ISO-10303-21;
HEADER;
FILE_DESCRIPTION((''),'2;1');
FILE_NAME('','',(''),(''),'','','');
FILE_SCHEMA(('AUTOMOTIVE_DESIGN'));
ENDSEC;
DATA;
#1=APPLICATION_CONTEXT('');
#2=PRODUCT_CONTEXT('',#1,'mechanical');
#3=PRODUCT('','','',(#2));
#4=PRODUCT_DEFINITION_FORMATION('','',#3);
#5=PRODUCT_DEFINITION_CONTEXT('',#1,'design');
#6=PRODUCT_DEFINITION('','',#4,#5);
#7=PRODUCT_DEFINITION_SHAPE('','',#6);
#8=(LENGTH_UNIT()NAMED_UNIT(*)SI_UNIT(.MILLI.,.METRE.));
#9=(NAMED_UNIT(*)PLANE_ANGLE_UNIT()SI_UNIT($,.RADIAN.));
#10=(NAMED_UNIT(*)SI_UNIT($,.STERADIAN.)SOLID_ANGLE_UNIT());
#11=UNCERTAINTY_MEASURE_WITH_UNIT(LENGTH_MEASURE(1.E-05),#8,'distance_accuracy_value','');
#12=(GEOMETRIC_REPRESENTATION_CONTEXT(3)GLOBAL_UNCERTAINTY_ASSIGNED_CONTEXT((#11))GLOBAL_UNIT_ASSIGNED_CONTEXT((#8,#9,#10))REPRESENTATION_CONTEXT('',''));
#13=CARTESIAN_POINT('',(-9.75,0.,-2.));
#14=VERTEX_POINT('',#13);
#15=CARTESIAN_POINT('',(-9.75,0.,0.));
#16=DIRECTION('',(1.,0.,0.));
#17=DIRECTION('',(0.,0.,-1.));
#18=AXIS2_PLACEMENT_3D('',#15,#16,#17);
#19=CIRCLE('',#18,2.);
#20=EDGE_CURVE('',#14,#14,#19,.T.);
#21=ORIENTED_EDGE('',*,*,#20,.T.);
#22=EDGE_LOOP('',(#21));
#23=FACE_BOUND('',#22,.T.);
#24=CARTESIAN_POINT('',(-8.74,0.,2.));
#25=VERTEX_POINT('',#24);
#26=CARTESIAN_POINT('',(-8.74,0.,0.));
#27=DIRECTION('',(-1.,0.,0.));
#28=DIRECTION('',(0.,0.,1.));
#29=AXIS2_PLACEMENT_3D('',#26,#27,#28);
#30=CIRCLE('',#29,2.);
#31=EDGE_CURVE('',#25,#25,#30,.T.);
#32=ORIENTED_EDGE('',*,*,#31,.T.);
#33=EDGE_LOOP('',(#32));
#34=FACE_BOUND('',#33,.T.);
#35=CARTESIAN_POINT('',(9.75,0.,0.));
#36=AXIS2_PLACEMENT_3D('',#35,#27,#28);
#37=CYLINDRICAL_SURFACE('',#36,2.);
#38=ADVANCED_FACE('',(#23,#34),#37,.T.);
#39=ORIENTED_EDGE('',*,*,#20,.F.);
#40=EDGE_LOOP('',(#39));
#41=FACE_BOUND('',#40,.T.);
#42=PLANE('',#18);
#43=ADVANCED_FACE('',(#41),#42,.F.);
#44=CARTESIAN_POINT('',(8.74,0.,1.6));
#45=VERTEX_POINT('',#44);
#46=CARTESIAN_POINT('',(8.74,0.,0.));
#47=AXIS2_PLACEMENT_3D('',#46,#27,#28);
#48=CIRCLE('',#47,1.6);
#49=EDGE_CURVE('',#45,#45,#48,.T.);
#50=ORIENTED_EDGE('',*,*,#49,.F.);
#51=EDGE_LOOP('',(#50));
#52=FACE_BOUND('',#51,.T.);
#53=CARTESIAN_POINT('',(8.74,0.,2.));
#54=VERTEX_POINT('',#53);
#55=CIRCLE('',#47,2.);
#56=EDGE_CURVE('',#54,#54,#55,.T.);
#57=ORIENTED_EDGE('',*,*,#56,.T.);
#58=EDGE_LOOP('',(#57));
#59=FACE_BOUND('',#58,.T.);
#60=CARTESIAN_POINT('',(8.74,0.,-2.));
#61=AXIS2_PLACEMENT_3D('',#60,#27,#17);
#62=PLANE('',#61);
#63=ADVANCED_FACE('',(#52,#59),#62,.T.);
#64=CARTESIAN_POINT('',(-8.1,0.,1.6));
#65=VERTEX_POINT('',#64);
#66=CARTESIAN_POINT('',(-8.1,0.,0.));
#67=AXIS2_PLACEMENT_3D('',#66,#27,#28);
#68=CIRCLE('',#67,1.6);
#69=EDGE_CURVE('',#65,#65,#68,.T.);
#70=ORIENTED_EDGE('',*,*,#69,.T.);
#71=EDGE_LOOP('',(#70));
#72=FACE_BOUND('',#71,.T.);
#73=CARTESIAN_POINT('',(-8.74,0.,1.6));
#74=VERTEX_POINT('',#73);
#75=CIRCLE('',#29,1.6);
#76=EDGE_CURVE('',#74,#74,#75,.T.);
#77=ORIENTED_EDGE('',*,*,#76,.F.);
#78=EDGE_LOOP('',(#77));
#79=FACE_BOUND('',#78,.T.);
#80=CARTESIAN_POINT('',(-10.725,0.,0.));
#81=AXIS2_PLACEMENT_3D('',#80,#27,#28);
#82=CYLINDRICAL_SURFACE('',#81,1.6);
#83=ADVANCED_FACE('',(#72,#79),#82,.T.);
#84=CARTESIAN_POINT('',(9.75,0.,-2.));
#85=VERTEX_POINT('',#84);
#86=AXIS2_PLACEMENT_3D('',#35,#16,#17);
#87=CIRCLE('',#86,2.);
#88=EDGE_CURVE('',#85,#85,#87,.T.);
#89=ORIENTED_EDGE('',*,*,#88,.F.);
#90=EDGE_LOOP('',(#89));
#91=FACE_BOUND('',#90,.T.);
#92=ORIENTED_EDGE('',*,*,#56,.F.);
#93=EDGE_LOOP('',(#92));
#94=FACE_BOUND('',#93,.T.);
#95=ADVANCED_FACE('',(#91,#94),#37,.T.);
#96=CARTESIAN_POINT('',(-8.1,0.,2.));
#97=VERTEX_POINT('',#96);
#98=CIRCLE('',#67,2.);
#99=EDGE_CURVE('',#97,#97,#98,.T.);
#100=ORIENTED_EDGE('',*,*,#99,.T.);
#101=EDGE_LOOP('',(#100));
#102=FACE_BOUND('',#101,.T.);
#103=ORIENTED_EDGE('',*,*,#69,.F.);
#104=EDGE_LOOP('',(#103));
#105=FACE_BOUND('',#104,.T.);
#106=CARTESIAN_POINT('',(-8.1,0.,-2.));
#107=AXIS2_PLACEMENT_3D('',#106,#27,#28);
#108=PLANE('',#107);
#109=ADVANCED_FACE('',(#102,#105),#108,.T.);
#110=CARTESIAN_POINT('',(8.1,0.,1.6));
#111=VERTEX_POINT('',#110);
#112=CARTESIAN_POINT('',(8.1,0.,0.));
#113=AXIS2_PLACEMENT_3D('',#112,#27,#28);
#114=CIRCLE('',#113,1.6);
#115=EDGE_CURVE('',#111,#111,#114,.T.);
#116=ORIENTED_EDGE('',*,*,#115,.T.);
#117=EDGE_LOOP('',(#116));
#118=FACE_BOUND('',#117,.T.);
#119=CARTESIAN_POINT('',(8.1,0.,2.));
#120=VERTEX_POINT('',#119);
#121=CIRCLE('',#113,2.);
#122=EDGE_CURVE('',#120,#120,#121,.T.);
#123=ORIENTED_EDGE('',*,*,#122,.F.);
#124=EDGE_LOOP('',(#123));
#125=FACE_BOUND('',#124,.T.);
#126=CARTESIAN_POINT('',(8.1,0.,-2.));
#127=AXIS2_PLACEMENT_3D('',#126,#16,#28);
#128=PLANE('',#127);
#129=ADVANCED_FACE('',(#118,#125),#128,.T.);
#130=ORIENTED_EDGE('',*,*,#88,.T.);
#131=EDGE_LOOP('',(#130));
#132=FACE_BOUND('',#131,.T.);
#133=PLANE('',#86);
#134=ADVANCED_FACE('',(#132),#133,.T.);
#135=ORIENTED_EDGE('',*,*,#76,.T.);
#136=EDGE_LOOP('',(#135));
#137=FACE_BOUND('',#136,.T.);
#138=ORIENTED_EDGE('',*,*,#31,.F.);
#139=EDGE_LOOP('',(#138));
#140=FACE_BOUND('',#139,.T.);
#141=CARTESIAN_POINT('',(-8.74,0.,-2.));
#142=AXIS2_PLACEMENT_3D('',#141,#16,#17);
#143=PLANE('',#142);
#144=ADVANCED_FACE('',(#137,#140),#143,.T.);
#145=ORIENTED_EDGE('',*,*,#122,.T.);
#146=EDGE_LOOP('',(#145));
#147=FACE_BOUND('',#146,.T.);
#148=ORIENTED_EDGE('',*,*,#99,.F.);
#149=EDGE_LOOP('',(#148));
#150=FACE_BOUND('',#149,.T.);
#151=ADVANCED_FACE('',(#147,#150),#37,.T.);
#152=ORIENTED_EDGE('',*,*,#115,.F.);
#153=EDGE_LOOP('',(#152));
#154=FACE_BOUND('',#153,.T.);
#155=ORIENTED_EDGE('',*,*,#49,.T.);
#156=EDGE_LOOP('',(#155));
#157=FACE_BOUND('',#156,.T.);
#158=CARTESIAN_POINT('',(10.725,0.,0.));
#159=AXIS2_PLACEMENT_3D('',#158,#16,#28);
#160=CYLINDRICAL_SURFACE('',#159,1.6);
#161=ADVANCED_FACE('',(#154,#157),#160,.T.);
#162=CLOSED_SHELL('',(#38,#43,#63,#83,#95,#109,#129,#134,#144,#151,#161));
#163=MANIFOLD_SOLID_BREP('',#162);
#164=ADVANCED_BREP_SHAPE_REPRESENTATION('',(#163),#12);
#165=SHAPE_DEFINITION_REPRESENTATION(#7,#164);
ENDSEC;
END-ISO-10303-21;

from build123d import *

# Parameters (mm, degrees)
SKETCH1_R           = 2
BOSS_EXTRUDE1_DEPTH = 9.75
SKETCH2_W           = 0.64
SKETCH2_H           = 0.4


with BuildPart() as part:
    # Sketch1 → Boss-Extrude1 (new, symmetric)
    with BuildSketch(Plane(origin=(0, 0, 0), x_dir=(0, 0, -1), z_dir=(1, 0, 0))):
        Circle(SKETCH1_R)
    extrude(amount=BOSS_EXTRUDE1_DEPTH, both=True)

    # Sketch2 → Cut-Revolve1 (revolve, cut)
    with BuildSketch(Plane(origin=(0, 0, 0), x_dir=(1, 0, 0), z_dir=(0, 1, 0)), mode=Mode.PRIVATE) as cut_revolve1_sk:
        with Locations((-8.42, 1.8)):
            Rectangle(SKETCH2_W, SKETCH2_H)
    cut_revolve1 = revolve(cut_revolve1_sk.sketch.rotate(Axis((-10.725, 0, 0), (1, 0, 0)), 180), axis=Axis((-10.725, 0, 0), (1, 0, 0)), mode=Mode.SUBTRACT)

    # Mirror1: Cut-Revolve1 across plane
    add(cut_revolve1.mirror(Plane(origin=(0, 0, 0), x_dir=(0, 0, 1), z_dir=(1, 0, 0))), mode=Mode.SUBTRACT)


solid = part.part
